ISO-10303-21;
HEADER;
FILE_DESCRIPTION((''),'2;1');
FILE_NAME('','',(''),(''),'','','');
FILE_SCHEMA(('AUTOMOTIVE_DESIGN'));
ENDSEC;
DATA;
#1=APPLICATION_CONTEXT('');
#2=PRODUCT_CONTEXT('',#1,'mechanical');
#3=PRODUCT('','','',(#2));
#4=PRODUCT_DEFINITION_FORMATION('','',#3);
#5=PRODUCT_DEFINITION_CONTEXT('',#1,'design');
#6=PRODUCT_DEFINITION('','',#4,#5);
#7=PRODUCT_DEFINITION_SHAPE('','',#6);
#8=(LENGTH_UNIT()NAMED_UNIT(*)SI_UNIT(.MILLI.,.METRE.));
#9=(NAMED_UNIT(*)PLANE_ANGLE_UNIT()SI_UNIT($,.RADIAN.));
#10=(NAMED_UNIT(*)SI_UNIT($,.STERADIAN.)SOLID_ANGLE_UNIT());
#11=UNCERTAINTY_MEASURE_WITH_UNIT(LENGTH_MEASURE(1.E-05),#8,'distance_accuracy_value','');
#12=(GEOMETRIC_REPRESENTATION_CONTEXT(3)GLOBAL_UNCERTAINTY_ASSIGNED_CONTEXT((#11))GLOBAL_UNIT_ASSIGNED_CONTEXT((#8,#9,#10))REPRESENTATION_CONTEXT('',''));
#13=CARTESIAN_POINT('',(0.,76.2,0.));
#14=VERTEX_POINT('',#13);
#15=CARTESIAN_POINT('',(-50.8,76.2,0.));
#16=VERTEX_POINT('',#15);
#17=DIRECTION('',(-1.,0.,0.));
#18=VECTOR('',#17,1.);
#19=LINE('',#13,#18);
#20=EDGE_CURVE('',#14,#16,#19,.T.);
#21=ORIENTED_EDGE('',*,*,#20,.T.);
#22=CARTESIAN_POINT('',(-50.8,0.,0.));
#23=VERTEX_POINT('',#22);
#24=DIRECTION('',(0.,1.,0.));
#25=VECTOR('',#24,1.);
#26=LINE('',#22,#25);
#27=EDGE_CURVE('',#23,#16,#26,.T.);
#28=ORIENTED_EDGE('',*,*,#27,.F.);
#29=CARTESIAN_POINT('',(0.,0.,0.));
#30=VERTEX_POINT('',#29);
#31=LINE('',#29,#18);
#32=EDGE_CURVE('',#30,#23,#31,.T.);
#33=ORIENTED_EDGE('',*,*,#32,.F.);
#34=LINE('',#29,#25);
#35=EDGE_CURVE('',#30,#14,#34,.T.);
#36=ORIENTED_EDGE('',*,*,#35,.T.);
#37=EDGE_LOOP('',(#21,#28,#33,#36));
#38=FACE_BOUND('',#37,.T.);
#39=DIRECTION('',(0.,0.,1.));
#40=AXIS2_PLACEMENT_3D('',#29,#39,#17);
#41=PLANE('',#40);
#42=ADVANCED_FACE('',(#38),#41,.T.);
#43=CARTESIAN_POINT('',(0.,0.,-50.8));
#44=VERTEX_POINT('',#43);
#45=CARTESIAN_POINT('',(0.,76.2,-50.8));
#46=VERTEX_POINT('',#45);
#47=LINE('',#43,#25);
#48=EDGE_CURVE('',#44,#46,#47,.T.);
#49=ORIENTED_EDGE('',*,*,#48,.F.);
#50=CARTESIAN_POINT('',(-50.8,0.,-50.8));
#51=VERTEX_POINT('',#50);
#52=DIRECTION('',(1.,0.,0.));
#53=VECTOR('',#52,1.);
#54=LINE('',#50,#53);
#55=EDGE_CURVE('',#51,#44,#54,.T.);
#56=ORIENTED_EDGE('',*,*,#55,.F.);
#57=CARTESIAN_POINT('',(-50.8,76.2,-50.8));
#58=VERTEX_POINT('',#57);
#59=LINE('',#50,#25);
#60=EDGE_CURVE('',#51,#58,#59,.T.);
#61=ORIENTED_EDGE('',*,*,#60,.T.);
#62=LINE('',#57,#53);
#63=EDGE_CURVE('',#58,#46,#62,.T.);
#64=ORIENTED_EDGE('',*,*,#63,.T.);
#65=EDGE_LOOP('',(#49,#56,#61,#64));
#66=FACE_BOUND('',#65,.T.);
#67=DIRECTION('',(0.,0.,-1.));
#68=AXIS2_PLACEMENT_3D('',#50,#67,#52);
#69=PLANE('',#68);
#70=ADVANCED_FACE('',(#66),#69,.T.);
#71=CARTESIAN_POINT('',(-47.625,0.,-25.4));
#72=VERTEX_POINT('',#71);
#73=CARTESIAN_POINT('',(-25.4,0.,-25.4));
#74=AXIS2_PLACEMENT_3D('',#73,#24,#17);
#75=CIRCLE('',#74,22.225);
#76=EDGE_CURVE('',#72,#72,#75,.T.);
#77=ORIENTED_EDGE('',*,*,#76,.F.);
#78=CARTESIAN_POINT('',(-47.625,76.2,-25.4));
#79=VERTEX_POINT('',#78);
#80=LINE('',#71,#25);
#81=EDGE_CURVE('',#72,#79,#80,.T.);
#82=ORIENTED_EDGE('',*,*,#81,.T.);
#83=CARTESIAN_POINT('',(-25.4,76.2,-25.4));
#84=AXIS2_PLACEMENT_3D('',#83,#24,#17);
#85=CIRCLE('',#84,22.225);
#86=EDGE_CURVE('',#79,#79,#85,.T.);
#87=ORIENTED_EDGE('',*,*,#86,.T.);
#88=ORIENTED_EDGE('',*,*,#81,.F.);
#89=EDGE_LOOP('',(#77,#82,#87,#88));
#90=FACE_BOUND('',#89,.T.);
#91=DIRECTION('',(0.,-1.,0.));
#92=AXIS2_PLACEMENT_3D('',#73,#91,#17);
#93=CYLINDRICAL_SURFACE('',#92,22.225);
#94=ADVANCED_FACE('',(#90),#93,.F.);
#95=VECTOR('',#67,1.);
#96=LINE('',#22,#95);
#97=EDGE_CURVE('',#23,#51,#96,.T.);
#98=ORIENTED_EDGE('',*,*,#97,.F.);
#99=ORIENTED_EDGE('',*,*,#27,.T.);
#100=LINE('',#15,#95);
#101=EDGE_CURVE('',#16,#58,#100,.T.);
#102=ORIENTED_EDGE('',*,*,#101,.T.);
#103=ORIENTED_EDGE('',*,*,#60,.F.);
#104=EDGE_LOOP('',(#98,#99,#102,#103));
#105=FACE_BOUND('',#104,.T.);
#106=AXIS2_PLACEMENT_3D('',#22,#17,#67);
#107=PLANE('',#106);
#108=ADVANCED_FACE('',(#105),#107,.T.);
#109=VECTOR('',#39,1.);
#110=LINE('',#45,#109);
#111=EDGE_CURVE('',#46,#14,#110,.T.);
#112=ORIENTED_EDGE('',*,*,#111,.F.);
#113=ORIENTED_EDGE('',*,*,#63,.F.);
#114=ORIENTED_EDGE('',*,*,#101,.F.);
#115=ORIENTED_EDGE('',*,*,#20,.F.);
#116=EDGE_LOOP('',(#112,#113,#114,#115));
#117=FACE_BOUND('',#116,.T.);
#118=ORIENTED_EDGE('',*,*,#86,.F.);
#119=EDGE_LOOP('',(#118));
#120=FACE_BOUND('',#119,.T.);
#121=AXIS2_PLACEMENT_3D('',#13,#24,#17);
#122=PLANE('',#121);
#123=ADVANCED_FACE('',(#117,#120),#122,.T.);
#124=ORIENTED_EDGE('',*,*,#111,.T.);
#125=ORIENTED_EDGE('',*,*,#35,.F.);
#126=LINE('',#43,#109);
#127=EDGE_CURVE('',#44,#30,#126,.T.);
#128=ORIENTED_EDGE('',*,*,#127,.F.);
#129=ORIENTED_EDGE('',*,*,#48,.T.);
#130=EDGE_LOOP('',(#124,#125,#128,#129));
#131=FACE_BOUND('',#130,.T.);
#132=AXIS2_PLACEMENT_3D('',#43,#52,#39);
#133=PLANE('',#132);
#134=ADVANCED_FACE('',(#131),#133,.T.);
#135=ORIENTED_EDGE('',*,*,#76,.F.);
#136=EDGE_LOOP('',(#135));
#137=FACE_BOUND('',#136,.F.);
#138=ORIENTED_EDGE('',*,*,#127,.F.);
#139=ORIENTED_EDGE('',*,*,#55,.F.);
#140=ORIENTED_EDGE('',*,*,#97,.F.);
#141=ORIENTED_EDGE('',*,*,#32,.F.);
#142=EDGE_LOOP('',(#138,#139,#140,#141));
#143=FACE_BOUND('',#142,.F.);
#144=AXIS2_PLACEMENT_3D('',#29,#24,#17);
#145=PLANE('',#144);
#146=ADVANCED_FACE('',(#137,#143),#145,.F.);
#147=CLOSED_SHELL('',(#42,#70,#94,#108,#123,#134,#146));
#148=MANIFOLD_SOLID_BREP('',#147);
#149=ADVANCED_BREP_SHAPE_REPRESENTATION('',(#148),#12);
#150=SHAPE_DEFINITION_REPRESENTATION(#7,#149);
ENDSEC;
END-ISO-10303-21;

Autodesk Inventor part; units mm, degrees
ref_plane "YZ Plane" through (0, 0, 0) normal (1, 0, 0) x (0, 1, 0)
ref_plane "XZ Plane" through (0, 0, 0) normal (0, 1, 0) x (-1, 0, 0)
ref_plane "XY Plane" through (0, 0, 0) normal (0, 0, 1) x (1, 0, 0)
sketch "Sketch1" plane through (0, 0, 0) normal (0, 1, 0) x (-1, 0, 0)
  line L0 (0, 0) -> (50.8, 0)
  line L1 (50.8, 0) -> (50.8, -50.8)
  line L2 (50.8, -50.8) -> (0, -50.8)
  line L3 (0, -50.8) -> (0, 0)
  circle A0 centre (25.4, -25.4) radius 22.225
  dimension "d0" = 50.8
  dimension "d1" = 50.8
  dimension "d2" = 44.45
extrude "Extrusion1" add sketch "Sketch1" along normal blind 76.2
properties part number "cameraFrame3inch"
